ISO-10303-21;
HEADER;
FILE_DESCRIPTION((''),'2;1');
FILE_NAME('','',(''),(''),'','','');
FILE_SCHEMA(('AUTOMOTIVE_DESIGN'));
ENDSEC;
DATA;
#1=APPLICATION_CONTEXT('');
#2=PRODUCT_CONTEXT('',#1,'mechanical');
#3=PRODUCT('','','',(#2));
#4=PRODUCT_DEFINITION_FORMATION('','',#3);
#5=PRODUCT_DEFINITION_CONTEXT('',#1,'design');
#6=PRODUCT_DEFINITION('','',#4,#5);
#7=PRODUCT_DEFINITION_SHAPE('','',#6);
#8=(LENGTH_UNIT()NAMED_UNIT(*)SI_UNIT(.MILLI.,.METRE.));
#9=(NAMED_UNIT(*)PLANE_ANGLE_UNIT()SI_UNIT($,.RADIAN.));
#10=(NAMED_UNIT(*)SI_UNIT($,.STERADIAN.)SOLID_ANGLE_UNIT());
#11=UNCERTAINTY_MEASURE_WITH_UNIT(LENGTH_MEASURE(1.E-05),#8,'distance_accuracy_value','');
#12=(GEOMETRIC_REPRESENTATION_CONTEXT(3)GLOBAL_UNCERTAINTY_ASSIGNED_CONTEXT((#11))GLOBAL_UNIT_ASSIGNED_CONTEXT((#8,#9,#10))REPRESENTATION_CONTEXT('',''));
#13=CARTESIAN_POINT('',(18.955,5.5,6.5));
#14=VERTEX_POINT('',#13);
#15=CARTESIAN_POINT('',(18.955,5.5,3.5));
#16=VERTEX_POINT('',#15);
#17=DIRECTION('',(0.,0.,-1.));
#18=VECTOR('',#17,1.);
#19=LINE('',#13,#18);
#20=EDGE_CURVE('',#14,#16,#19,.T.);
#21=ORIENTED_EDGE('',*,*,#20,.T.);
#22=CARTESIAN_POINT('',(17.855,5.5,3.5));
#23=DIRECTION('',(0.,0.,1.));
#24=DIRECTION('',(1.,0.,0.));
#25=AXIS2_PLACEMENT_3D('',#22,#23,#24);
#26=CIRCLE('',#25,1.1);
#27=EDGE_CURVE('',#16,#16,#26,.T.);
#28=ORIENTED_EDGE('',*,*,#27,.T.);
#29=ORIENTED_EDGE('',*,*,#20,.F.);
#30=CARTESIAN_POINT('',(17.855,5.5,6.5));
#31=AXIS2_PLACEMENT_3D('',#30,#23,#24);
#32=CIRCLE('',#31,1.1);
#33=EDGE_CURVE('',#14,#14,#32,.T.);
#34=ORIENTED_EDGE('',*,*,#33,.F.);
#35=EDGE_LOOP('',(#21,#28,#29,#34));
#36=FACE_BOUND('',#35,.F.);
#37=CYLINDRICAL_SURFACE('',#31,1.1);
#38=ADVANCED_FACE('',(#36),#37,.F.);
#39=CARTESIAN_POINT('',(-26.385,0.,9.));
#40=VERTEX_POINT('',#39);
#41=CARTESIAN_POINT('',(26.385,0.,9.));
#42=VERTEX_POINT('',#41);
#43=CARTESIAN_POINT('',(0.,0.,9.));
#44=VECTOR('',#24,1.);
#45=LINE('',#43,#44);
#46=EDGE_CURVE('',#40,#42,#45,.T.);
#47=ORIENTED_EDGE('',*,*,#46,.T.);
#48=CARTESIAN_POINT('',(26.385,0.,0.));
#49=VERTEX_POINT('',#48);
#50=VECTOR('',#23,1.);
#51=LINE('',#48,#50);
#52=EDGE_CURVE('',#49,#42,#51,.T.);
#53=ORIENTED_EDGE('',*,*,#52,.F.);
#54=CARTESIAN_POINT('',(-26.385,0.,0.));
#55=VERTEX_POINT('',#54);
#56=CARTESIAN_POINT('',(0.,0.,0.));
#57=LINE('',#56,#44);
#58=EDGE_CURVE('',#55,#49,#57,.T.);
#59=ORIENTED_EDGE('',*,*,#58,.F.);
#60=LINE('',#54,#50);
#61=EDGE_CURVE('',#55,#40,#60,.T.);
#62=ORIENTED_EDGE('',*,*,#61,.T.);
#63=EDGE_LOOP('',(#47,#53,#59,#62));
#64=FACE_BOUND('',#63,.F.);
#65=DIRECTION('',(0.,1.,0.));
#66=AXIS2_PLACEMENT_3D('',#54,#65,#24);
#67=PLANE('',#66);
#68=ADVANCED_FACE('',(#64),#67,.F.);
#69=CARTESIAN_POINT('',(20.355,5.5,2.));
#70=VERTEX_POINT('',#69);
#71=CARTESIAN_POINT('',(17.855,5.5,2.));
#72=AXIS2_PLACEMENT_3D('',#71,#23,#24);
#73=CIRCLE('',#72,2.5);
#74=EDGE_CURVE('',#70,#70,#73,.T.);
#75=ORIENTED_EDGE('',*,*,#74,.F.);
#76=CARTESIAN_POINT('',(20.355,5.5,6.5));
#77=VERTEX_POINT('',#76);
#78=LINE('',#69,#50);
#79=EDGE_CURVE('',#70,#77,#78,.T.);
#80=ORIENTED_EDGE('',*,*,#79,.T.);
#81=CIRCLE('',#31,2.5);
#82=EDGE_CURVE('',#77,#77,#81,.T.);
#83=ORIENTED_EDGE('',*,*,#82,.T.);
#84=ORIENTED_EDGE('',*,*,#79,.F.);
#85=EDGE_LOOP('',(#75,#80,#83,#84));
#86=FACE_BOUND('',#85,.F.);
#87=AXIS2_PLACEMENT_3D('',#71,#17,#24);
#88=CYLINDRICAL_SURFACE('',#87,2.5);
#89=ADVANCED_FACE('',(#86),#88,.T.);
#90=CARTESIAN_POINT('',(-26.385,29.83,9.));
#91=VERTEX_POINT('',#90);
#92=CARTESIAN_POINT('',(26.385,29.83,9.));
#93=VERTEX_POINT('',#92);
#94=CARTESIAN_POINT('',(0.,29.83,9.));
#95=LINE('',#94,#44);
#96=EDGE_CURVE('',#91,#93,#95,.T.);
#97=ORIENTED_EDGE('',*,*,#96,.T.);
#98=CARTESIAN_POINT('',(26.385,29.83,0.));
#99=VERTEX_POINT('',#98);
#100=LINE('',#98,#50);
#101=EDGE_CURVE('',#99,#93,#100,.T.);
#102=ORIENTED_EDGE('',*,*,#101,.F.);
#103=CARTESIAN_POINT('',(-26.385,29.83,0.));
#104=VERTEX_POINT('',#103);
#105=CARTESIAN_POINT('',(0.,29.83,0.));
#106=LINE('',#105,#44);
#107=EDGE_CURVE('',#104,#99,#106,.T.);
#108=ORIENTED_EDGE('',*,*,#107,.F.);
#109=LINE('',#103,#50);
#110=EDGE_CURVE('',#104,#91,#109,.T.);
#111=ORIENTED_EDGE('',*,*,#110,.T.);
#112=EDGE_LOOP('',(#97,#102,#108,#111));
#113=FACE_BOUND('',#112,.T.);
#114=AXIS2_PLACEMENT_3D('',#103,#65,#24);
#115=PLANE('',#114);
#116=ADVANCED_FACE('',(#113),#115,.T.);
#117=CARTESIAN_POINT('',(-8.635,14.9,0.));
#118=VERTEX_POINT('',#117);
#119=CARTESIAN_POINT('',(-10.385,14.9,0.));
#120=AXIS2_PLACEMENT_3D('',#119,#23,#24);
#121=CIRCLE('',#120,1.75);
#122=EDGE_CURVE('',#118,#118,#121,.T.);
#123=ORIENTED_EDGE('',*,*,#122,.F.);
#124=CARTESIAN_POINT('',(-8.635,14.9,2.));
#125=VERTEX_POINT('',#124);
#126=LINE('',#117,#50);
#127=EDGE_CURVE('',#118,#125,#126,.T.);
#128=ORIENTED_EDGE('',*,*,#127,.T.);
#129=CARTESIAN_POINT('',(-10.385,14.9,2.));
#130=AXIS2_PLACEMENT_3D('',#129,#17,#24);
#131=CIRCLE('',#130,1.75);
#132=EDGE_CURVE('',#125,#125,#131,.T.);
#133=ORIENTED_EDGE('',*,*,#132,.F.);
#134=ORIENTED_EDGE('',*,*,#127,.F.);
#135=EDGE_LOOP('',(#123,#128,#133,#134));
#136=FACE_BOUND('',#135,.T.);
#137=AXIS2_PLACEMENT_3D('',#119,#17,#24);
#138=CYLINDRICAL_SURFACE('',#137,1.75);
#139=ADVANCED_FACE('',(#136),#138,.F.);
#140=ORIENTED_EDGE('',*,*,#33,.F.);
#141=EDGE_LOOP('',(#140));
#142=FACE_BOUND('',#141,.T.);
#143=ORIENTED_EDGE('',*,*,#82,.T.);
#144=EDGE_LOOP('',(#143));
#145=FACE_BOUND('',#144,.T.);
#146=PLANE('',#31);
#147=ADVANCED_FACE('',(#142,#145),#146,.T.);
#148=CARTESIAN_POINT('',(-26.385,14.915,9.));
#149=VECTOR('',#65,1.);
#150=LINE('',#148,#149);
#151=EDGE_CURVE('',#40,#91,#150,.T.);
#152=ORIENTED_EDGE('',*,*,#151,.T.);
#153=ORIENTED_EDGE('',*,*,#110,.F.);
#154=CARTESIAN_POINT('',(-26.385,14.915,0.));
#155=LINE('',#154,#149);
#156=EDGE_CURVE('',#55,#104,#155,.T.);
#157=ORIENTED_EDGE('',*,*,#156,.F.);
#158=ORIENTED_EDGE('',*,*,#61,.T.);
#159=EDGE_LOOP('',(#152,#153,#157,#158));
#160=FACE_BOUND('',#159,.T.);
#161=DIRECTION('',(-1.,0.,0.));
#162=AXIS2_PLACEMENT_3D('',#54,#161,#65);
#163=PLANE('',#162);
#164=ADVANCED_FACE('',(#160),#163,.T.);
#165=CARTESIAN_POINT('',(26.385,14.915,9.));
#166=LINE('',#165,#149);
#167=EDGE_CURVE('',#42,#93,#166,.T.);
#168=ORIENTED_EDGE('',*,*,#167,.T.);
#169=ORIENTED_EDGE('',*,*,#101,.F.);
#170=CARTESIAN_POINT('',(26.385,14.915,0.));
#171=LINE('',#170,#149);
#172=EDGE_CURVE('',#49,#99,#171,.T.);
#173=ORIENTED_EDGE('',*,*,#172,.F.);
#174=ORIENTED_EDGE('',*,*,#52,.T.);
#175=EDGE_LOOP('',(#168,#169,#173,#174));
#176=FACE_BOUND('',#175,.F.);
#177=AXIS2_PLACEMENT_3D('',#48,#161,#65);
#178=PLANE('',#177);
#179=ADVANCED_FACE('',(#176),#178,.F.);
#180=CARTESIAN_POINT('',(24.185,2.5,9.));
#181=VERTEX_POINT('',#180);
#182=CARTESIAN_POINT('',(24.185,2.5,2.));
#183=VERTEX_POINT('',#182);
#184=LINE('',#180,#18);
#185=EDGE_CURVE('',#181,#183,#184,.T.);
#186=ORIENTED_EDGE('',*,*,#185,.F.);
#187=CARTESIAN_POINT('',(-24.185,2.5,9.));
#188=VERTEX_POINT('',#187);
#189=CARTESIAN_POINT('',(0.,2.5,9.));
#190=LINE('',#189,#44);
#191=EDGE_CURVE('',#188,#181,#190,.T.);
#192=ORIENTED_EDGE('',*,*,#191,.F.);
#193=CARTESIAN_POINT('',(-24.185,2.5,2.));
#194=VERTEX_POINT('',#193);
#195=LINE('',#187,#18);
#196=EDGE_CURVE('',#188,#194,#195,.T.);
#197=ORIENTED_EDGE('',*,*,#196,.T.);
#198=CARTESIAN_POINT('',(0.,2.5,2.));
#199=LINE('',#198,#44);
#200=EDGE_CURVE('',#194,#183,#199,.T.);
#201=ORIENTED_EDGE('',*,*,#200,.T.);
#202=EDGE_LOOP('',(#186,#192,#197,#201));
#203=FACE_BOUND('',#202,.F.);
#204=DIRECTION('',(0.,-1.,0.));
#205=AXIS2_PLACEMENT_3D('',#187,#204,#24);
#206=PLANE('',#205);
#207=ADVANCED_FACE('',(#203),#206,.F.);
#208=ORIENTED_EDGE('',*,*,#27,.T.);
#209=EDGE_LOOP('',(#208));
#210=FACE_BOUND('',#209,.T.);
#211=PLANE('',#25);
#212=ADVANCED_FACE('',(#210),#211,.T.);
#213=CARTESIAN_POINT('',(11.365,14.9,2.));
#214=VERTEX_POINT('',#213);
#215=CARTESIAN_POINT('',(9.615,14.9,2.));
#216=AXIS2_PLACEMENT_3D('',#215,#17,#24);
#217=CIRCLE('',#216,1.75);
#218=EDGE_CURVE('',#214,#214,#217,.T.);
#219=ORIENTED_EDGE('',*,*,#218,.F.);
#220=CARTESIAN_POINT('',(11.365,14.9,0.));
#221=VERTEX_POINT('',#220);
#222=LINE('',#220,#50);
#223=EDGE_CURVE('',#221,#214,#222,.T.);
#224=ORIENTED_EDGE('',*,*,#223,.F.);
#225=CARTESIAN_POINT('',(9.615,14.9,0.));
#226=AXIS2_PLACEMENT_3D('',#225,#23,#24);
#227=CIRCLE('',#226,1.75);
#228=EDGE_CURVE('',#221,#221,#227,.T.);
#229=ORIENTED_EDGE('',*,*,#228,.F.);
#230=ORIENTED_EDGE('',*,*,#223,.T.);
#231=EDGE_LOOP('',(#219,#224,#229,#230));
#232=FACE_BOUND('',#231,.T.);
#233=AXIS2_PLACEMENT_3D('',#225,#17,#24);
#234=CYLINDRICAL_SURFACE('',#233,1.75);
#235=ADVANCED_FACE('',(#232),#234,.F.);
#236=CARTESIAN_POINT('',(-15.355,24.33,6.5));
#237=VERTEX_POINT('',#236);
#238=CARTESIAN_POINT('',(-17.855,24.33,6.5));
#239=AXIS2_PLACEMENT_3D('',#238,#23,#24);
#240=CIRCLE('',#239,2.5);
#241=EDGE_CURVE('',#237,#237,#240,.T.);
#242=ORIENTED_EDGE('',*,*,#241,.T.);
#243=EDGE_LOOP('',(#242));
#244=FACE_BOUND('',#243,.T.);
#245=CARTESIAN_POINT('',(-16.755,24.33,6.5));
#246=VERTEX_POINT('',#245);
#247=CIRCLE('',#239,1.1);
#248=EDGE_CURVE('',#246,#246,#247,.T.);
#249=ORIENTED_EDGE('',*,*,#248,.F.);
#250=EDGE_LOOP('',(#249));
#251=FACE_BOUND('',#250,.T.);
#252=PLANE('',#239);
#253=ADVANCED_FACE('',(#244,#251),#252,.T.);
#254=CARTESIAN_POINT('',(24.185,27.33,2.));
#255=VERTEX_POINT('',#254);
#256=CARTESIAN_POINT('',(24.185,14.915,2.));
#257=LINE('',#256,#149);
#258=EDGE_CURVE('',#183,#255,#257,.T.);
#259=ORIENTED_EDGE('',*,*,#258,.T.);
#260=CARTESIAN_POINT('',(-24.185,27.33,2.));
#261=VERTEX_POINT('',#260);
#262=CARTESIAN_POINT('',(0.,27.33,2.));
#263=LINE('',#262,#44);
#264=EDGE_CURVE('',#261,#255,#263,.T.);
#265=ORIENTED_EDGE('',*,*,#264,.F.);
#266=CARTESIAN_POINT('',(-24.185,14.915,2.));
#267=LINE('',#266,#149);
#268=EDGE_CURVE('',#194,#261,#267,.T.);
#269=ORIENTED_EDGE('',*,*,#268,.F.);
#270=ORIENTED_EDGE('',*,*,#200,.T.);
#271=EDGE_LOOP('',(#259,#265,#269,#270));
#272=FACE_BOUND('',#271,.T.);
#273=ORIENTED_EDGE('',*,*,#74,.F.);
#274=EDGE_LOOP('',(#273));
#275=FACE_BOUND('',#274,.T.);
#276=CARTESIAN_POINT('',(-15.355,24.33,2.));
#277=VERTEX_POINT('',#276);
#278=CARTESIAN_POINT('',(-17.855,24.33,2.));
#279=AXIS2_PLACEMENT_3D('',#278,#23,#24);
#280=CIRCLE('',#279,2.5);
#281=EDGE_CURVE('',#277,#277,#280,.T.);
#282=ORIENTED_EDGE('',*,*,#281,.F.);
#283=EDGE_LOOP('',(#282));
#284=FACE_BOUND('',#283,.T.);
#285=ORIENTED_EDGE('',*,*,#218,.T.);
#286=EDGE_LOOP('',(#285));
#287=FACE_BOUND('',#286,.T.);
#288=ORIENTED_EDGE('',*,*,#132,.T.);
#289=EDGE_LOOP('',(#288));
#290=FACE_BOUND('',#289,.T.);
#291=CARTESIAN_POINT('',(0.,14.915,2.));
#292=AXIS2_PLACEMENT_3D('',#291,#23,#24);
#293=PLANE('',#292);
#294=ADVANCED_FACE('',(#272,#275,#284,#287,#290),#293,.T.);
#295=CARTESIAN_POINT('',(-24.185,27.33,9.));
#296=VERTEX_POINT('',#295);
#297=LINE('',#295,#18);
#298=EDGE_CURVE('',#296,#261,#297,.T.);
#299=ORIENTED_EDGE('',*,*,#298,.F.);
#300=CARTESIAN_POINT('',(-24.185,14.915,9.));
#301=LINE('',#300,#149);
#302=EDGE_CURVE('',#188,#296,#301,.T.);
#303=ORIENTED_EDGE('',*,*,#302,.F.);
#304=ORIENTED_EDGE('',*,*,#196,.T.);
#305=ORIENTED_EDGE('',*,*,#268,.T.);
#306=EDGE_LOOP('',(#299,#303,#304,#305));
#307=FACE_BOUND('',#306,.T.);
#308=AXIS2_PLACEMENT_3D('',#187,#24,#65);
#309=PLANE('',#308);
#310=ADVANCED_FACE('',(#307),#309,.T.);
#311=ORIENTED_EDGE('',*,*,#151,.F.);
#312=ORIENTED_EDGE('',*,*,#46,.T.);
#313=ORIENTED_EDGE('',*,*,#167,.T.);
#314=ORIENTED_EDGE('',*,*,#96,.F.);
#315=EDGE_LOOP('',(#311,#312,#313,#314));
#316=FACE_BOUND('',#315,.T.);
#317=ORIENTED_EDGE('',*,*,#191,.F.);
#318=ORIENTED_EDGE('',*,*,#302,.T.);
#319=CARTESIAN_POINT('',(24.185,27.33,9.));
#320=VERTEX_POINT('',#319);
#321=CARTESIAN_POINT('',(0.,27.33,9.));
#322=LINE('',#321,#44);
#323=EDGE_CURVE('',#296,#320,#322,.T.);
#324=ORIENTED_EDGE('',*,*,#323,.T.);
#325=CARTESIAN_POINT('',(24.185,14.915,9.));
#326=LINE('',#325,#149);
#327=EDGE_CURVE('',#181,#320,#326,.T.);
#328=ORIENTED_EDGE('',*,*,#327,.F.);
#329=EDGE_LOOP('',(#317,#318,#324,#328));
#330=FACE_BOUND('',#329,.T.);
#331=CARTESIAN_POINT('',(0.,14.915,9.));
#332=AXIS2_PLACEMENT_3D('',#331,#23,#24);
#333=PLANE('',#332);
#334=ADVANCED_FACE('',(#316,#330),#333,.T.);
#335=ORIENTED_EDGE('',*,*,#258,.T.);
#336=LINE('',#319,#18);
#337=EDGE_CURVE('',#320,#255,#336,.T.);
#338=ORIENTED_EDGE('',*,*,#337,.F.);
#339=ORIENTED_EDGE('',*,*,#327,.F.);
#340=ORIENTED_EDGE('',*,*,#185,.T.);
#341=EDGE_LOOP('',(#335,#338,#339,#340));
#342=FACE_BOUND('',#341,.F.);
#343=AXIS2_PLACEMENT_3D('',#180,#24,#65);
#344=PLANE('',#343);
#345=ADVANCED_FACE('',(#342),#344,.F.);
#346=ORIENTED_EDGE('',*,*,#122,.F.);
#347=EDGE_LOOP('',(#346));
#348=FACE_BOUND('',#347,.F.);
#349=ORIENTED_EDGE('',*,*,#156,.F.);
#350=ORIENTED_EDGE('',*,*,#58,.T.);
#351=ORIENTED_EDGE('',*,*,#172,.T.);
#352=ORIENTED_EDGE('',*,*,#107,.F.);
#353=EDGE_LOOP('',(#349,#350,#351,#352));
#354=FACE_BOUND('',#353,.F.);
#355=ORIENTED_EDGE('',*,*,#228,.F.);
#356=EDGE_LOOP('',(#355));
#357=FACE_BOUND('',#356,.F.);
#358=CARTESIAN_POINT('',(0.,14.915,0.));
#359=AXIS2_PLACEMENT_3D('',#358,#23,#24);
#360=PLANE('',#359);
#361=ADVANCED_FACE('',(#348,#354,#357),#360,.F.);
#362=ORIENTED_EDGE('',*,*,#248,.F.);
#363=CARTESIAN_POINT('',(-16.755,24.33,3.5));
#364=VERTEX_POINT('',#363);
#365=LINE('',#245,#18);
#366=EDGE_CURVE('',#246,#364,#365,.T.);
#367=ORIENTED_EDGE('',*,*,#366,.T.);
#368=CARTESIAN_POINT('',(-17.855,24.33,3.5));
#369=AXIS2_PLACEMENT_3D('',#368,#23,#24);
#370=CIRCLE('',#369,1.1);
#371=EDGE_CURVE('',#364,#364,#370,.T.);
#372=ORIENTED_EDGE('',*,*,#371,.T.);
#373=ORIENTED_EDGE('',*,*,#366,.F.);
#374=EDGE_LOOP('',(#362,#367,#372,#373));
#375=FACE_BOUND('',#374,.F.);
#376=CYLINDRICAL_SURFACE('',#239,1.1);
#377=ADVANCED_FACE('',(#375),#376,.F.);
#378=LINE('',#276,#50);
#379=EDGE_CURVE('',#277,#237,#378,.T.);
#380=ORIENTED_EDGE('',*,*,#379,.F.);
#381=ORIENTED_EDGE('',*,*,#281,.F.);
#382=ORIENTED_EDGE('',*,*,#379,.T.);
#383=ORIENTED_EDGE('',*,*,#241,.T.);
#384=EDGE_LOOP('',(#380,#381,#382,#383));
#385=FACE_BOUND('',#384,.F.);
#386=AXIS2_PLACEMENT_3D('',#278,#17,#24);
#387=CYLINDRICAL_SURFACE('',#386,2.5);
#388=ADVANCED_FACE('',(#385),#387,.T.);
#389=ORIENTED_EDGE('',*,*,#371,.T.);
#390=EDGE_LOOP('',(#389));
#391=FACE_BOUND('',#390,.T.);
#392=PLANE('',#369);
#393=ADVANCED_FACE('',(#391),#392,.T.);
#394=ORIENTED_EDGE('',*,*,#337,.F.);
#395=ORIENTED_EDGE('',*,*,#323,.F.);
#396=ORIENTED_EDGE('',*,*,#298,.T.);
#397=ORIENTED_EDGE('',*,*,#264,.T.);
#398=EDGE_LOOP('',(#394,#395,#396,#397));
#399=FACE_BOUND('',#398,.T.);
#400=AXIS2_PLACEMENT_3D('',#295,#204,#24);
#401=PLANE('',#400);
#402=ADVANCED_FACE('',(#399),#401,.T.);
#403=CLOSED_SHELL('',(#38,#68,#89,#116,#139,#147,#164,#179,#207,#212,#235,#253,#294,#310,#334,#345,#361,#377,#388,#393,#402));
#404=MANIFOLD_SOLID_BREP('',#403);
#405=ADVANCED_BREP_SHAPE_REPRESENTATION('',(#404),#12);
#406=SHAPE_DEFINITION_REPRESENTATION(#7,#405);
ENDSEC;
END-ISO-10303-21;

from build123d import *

# Parameters (mm, degrees)
SKETCH_W        = 52.77
SKETCH_H        = 29.83
SKETCH_R        = 1.75
PAD_DEPTH       = 9
SKETCH001_W     = 48.37
SKETCH001_H     = 24.83
POCKET_DEPTH    = 7
SKETCH002_R     = 2.5
PAD001_DEPTH    = 4.5
SKETCH003_R     = 1.1
POCKET001_DEPTH = 3
SKETCH004_R     = 2.5
PAD002_DEPTH    = 4.5
SKETCH005_R     = 1.1
POCKET002_DEPTH = 3


with BuildPart() as part:
    # Sketch → Pad (new body)
    with BuildSketch(Plane.XY):
        with Locations((0, 14.915)):
            Rectangle(SKETCH_W, SKETCH_H)
        with Locations((-10.385, 14.9)):
            Circle(SKETCH_R, mode=Mode.SUBTRACT)
        with Locations((9.615, 14.9)):
            Circle(SKETCH_R, mode=Mode.SUBTRACT)
    extrude(amount=PAD_DEPTH)

    # Sketch001 (on Face8 of Pad) → Pocket (cut)
    with BuildSketch(Plane.XY.offset(9)):
        with Locations((0, 14.915)):
            Rectangle(SKETCH001_W, SKETCH001_H)
    extrude(amount=-POCKET_DEPTH, mode=Mode.SUBTRACT)

    # Sketch002 (on Face13 of Pocket) → Pad001 (join)
    with BuildSketch(Plane.XY.offset(2)):
        with Locations((-17.855, 24.33)):
            Circle(SKETCH002_R)
    extrude(amount=PAD001_DEPTH)

    # Sketch003 (on Face15 of Pad001) → Pocket001 (cut)
    with BuildSketch(Plane.XY.offset(6.5)):
        with Locations((-17.855, 24.33)):
            Circle(SKETCH003_R)
    extrude(amount=-POCKET001_DEPTH, mode=Mode.SUBTRACT)

    # Sketch004 (on Face13 of Pocket001) → Pad002 (join)
    with BuildSketch(Plane.XY.offset(2)):
        with Locations((17.855, 5.5)):
            Circle(SKETCH004_R)
    extrude(amount=PAD002_DEPTH)

    # Sketch005 (on Face16 of Pad002) → Pocket002 (cut)
    with BuildSketch(Plane.XY.offset(6.5)):
        with Locations((17.855, 5.5)):
            Circle(SKETCH005_R)
    extrude(amount=-POCKET002_DEPTH, mode=Mode.SUBTRACT)


solid = part.part
